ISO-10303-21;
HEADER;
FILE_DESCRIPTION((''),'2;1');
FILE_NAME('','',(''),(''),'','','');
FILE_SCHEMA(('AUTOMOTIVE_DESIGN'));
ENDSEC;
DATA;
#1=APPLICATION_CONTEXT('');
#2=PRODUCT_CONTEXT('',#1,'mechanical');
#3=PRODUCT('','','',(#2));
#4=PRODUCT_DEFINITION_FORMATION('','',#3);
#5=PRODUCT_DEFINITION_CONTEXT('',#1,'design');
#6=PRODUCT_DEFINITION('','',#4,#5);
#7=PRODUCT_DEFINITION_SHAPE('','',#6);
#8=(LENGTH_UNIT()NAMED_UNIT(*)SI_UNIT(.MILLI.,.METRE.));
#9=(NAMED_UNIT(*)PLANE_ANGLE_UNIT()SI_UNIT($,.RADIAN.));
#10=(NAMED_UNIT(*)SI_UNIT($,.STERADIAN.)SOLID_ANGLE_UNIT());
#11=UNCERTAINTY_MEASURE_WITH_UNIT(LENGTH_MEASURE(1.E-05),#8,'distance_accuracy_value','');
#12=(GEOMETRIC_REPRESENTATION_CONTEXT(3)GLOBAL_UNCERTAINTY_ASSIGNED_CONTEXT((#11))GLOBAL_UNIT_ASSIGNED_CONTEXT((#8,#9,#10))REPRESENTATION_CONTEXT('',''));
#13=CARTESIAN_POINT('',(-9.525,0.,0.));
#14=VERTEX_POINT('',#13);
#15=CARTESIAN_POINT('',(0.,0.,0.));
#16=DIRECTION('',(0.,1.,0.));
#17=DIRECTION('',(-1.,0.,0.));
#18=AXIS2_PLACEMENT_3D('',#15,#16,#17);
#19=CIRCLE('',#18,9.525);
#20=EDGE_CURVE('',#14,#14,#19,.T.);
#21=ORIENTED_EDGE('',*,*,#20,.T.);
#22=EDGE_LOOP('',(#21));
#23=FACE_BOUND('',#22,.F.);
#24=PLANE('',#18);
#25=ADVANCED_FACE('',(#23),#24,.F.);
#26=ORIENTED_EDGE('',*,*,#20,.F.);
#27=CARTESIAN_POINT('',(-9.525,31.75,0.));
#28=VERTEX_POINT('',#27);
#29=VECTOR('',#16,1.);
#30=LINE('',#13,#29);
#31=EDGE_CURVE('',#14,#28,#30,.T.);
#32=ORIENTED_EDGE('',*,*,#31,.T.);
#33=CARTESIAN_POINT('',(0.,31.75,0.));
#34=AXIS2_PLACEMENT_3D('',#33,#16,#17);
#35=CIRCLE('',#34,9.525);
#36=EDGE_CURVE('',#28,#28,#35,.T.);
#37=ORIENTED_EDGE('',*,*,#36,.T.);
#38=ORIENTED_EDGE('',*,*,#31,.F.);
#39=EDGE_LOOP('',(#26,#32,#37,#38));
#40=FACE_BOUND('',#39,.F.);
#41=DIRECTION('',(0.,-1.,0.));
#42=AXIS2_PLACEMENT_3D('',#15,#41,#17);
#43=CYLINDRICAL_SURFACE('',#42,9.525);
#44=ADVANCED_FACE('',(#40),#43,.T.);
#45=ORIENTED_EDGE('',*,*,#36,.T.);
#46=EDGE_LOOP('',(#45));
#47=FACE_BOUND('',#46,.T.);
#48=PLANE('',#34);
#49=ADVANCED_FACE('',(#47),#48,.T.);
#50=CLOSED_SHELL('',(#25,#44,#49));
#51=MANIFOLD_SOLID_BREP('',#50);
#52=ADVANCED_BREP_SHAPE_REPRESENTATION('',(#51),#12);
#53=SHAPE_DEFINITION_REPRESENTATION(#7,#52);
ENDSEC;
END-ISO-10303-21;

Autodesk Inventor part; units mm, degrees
ref_plane "YZ Plane" through (0, 0, 0) normal (1, 0, 0) x (0, 1, 0)
ref_plane "XZ Plane" through (0, 0, 0) normal (0, 1, 0) x (-1, 0, 0)
ref_plane "XY Plane" through (0, 0, 0) normal (0, 0, 1) x (1, 0, 0)
sketch "Sketch1" plane through (0, 0, 0) normal (0, 1, 0) x (-1, 0, 0)
  circle A0 centre (0, 0) radius 9.525
  dimension "d0" = 19.05
extrude "Extrusion1" add sketch "Sketch1" along normal blind 31.75
properties part number "500g Cylinder Standoff Mass"
